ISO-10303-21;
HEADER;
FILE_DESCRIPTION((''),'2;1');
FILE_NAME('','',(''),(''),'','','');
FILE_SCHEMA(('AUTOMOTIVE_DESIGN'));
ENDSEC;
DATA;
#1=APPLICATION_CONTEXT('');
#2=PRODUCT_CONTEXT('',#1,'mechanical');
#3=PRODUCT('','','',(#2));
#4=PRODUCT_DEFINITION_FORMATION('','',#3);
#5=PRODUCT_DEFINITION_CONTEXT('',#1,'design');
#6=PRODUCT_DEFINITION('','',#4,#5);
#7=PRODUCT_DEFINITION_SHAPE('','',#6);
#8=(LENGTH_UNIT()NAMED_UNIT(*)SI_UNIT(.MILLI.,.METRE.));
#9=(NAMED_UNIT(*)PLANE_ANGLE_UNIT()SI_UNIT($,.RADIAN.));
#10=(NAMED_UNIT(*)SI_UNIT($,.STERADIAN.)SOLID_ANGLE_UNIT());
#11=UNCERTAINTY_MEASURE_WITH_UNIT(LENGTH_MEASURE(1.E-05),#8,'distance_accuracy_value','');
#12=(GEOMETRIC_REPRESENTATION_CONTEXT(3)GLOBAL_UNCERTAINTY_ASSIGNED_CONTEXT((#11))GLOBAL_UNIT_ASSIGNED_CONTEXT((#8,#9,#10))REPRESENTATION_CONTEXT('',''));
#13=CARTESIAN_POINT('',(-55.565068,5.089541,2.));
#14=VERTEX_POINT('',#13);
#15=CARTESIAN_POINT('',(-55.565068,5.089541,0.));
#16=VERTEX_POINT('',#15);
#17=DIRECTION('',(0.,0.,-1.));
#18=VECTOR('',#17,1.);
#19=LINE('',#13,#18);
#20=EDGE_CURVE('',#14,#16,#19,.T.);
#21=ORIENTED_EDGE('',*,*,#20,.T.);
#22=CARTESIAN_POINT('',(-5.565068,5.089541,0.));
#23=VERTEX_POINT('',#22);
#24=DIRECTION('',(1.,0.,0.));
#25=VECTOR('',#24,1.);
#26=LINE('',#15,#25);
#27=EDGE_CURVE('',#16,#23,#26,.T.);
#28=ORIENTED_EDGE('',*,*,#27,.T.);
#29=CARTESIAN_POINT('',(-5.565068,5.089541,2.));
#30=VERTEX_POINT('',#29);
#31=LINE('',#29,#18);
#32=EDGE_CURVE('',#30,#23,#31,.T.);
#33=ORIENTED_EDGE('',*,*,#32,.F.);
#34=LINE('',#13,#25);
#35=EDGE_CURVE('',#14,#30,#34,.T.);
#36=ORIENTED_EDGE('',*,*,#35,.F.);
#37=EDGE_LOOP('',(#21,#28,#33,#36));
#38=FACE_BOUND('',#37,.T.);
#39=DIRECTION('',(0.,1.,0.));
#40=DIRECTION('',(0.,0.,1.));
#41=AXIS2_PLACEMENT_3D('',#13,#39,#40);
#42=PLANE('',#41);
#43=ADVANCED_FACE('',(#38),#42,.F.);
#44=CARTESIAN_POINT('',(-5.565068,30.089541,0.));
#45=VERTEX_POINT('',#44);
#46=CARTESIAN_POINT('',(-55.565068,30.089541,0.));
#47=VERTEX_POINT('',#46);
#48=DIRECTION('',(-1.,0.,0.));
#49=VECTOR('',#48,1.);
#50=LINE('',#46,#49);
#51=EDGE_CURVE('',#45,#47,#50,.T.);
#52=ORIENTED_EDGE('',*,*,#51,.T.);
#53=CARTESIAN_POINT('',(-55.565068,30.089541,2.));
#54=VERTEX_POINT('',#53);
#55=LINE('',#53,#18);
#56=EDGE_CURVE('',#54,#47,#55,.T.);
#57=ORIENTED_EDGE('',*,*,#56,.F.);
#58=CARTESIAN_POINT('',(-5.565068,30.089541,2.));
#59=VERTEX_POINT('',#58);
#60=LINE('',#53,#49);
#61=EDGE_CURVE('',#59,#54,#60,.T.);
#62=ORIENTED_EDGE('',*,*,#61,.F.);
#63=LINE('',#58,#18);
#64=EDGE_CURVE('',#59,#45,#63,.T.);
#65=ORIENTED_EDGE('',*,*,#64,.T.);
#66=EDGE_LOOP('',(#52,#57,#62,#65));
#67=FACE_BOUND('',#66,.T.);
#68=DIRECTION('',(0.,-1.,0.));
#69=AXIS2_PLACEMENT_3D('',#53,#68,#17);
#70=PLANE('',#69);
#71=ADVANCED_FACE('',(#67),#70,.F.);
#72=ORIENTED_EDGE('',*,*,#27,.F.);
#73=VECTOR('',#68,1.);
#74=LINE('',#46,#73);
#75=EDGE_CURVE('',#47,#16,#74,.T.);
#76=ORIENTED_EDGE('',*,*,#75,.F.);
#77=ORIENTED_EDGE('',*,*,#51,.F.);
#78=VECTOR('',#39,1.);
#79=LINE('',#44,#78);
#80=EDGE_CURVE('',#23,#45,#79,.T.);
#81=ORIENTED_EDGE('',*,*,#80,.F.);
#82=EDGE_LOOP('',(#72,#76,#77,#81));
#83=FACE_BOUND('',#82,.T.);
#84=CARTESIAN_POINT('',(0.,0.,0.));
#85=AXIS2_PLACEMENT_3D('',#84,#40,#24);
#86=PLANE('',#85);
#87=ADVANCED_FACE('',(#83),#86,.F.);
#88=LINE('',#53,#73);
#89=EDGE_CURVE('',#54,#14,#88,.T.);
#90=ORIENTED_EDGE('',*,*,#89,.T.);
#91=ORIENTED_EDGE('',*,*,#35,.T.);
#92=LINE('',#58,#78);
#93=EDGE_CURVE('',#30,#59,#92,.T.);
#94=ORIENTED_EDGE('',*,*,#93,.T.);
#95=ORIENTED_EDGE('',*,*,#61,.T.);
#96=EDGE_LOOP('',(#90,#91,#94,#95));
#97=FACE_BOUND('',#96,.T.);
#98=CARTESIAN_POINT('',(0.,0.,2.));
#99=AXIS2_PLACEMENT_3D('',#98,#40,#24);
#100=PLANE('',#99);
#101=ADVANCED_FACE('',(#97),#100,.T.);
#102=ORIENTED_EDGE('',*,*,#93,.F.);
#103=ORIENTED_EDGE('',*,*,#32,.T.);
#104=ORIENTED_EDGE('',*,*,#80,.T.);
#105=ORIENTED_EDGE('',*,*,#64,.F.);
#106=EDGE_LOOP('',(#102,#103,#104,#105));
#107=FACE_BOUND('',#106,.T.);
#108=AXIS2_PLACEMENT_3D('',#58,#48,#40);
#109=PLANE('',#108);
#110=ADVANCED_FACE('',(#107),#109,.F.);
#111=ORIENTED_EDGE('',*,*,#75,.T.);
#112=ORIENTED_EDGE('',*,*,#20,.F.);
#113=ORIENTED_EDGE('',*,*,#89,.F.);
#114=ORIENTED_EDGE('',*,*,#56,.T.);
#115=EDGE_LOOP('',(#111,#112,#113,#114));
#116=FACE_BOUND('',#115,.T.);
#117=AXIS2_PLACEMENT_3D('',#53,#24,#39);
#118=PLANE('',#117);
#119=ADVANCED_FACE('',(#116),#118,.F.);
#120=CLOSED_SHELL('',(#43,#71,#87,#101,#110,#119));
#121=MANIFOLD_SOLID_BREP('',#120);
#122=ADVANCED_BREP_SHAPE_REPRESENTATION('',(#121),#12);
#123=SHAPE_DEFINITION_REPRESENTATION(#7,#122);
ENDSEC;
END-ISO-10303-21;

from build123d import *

# Parameters (mm, degrees)
SKETCH_1_W      = 50
SKETCH_1_H      = 25
EXTRUDE_1_DEPTH = 2


with BuildPart() as part:
    # 草图1 → 凸台-拉伸1 (new body)
    with BuildSketch(Plane.XY):
        with Locations((-30.565068493, 17.589541436)):
            Rectangle(SKETCH_1_W, SKETCH_1_H)
    extrude(amount=EXTRUDE_1_DEPTH)


solid = part.part
